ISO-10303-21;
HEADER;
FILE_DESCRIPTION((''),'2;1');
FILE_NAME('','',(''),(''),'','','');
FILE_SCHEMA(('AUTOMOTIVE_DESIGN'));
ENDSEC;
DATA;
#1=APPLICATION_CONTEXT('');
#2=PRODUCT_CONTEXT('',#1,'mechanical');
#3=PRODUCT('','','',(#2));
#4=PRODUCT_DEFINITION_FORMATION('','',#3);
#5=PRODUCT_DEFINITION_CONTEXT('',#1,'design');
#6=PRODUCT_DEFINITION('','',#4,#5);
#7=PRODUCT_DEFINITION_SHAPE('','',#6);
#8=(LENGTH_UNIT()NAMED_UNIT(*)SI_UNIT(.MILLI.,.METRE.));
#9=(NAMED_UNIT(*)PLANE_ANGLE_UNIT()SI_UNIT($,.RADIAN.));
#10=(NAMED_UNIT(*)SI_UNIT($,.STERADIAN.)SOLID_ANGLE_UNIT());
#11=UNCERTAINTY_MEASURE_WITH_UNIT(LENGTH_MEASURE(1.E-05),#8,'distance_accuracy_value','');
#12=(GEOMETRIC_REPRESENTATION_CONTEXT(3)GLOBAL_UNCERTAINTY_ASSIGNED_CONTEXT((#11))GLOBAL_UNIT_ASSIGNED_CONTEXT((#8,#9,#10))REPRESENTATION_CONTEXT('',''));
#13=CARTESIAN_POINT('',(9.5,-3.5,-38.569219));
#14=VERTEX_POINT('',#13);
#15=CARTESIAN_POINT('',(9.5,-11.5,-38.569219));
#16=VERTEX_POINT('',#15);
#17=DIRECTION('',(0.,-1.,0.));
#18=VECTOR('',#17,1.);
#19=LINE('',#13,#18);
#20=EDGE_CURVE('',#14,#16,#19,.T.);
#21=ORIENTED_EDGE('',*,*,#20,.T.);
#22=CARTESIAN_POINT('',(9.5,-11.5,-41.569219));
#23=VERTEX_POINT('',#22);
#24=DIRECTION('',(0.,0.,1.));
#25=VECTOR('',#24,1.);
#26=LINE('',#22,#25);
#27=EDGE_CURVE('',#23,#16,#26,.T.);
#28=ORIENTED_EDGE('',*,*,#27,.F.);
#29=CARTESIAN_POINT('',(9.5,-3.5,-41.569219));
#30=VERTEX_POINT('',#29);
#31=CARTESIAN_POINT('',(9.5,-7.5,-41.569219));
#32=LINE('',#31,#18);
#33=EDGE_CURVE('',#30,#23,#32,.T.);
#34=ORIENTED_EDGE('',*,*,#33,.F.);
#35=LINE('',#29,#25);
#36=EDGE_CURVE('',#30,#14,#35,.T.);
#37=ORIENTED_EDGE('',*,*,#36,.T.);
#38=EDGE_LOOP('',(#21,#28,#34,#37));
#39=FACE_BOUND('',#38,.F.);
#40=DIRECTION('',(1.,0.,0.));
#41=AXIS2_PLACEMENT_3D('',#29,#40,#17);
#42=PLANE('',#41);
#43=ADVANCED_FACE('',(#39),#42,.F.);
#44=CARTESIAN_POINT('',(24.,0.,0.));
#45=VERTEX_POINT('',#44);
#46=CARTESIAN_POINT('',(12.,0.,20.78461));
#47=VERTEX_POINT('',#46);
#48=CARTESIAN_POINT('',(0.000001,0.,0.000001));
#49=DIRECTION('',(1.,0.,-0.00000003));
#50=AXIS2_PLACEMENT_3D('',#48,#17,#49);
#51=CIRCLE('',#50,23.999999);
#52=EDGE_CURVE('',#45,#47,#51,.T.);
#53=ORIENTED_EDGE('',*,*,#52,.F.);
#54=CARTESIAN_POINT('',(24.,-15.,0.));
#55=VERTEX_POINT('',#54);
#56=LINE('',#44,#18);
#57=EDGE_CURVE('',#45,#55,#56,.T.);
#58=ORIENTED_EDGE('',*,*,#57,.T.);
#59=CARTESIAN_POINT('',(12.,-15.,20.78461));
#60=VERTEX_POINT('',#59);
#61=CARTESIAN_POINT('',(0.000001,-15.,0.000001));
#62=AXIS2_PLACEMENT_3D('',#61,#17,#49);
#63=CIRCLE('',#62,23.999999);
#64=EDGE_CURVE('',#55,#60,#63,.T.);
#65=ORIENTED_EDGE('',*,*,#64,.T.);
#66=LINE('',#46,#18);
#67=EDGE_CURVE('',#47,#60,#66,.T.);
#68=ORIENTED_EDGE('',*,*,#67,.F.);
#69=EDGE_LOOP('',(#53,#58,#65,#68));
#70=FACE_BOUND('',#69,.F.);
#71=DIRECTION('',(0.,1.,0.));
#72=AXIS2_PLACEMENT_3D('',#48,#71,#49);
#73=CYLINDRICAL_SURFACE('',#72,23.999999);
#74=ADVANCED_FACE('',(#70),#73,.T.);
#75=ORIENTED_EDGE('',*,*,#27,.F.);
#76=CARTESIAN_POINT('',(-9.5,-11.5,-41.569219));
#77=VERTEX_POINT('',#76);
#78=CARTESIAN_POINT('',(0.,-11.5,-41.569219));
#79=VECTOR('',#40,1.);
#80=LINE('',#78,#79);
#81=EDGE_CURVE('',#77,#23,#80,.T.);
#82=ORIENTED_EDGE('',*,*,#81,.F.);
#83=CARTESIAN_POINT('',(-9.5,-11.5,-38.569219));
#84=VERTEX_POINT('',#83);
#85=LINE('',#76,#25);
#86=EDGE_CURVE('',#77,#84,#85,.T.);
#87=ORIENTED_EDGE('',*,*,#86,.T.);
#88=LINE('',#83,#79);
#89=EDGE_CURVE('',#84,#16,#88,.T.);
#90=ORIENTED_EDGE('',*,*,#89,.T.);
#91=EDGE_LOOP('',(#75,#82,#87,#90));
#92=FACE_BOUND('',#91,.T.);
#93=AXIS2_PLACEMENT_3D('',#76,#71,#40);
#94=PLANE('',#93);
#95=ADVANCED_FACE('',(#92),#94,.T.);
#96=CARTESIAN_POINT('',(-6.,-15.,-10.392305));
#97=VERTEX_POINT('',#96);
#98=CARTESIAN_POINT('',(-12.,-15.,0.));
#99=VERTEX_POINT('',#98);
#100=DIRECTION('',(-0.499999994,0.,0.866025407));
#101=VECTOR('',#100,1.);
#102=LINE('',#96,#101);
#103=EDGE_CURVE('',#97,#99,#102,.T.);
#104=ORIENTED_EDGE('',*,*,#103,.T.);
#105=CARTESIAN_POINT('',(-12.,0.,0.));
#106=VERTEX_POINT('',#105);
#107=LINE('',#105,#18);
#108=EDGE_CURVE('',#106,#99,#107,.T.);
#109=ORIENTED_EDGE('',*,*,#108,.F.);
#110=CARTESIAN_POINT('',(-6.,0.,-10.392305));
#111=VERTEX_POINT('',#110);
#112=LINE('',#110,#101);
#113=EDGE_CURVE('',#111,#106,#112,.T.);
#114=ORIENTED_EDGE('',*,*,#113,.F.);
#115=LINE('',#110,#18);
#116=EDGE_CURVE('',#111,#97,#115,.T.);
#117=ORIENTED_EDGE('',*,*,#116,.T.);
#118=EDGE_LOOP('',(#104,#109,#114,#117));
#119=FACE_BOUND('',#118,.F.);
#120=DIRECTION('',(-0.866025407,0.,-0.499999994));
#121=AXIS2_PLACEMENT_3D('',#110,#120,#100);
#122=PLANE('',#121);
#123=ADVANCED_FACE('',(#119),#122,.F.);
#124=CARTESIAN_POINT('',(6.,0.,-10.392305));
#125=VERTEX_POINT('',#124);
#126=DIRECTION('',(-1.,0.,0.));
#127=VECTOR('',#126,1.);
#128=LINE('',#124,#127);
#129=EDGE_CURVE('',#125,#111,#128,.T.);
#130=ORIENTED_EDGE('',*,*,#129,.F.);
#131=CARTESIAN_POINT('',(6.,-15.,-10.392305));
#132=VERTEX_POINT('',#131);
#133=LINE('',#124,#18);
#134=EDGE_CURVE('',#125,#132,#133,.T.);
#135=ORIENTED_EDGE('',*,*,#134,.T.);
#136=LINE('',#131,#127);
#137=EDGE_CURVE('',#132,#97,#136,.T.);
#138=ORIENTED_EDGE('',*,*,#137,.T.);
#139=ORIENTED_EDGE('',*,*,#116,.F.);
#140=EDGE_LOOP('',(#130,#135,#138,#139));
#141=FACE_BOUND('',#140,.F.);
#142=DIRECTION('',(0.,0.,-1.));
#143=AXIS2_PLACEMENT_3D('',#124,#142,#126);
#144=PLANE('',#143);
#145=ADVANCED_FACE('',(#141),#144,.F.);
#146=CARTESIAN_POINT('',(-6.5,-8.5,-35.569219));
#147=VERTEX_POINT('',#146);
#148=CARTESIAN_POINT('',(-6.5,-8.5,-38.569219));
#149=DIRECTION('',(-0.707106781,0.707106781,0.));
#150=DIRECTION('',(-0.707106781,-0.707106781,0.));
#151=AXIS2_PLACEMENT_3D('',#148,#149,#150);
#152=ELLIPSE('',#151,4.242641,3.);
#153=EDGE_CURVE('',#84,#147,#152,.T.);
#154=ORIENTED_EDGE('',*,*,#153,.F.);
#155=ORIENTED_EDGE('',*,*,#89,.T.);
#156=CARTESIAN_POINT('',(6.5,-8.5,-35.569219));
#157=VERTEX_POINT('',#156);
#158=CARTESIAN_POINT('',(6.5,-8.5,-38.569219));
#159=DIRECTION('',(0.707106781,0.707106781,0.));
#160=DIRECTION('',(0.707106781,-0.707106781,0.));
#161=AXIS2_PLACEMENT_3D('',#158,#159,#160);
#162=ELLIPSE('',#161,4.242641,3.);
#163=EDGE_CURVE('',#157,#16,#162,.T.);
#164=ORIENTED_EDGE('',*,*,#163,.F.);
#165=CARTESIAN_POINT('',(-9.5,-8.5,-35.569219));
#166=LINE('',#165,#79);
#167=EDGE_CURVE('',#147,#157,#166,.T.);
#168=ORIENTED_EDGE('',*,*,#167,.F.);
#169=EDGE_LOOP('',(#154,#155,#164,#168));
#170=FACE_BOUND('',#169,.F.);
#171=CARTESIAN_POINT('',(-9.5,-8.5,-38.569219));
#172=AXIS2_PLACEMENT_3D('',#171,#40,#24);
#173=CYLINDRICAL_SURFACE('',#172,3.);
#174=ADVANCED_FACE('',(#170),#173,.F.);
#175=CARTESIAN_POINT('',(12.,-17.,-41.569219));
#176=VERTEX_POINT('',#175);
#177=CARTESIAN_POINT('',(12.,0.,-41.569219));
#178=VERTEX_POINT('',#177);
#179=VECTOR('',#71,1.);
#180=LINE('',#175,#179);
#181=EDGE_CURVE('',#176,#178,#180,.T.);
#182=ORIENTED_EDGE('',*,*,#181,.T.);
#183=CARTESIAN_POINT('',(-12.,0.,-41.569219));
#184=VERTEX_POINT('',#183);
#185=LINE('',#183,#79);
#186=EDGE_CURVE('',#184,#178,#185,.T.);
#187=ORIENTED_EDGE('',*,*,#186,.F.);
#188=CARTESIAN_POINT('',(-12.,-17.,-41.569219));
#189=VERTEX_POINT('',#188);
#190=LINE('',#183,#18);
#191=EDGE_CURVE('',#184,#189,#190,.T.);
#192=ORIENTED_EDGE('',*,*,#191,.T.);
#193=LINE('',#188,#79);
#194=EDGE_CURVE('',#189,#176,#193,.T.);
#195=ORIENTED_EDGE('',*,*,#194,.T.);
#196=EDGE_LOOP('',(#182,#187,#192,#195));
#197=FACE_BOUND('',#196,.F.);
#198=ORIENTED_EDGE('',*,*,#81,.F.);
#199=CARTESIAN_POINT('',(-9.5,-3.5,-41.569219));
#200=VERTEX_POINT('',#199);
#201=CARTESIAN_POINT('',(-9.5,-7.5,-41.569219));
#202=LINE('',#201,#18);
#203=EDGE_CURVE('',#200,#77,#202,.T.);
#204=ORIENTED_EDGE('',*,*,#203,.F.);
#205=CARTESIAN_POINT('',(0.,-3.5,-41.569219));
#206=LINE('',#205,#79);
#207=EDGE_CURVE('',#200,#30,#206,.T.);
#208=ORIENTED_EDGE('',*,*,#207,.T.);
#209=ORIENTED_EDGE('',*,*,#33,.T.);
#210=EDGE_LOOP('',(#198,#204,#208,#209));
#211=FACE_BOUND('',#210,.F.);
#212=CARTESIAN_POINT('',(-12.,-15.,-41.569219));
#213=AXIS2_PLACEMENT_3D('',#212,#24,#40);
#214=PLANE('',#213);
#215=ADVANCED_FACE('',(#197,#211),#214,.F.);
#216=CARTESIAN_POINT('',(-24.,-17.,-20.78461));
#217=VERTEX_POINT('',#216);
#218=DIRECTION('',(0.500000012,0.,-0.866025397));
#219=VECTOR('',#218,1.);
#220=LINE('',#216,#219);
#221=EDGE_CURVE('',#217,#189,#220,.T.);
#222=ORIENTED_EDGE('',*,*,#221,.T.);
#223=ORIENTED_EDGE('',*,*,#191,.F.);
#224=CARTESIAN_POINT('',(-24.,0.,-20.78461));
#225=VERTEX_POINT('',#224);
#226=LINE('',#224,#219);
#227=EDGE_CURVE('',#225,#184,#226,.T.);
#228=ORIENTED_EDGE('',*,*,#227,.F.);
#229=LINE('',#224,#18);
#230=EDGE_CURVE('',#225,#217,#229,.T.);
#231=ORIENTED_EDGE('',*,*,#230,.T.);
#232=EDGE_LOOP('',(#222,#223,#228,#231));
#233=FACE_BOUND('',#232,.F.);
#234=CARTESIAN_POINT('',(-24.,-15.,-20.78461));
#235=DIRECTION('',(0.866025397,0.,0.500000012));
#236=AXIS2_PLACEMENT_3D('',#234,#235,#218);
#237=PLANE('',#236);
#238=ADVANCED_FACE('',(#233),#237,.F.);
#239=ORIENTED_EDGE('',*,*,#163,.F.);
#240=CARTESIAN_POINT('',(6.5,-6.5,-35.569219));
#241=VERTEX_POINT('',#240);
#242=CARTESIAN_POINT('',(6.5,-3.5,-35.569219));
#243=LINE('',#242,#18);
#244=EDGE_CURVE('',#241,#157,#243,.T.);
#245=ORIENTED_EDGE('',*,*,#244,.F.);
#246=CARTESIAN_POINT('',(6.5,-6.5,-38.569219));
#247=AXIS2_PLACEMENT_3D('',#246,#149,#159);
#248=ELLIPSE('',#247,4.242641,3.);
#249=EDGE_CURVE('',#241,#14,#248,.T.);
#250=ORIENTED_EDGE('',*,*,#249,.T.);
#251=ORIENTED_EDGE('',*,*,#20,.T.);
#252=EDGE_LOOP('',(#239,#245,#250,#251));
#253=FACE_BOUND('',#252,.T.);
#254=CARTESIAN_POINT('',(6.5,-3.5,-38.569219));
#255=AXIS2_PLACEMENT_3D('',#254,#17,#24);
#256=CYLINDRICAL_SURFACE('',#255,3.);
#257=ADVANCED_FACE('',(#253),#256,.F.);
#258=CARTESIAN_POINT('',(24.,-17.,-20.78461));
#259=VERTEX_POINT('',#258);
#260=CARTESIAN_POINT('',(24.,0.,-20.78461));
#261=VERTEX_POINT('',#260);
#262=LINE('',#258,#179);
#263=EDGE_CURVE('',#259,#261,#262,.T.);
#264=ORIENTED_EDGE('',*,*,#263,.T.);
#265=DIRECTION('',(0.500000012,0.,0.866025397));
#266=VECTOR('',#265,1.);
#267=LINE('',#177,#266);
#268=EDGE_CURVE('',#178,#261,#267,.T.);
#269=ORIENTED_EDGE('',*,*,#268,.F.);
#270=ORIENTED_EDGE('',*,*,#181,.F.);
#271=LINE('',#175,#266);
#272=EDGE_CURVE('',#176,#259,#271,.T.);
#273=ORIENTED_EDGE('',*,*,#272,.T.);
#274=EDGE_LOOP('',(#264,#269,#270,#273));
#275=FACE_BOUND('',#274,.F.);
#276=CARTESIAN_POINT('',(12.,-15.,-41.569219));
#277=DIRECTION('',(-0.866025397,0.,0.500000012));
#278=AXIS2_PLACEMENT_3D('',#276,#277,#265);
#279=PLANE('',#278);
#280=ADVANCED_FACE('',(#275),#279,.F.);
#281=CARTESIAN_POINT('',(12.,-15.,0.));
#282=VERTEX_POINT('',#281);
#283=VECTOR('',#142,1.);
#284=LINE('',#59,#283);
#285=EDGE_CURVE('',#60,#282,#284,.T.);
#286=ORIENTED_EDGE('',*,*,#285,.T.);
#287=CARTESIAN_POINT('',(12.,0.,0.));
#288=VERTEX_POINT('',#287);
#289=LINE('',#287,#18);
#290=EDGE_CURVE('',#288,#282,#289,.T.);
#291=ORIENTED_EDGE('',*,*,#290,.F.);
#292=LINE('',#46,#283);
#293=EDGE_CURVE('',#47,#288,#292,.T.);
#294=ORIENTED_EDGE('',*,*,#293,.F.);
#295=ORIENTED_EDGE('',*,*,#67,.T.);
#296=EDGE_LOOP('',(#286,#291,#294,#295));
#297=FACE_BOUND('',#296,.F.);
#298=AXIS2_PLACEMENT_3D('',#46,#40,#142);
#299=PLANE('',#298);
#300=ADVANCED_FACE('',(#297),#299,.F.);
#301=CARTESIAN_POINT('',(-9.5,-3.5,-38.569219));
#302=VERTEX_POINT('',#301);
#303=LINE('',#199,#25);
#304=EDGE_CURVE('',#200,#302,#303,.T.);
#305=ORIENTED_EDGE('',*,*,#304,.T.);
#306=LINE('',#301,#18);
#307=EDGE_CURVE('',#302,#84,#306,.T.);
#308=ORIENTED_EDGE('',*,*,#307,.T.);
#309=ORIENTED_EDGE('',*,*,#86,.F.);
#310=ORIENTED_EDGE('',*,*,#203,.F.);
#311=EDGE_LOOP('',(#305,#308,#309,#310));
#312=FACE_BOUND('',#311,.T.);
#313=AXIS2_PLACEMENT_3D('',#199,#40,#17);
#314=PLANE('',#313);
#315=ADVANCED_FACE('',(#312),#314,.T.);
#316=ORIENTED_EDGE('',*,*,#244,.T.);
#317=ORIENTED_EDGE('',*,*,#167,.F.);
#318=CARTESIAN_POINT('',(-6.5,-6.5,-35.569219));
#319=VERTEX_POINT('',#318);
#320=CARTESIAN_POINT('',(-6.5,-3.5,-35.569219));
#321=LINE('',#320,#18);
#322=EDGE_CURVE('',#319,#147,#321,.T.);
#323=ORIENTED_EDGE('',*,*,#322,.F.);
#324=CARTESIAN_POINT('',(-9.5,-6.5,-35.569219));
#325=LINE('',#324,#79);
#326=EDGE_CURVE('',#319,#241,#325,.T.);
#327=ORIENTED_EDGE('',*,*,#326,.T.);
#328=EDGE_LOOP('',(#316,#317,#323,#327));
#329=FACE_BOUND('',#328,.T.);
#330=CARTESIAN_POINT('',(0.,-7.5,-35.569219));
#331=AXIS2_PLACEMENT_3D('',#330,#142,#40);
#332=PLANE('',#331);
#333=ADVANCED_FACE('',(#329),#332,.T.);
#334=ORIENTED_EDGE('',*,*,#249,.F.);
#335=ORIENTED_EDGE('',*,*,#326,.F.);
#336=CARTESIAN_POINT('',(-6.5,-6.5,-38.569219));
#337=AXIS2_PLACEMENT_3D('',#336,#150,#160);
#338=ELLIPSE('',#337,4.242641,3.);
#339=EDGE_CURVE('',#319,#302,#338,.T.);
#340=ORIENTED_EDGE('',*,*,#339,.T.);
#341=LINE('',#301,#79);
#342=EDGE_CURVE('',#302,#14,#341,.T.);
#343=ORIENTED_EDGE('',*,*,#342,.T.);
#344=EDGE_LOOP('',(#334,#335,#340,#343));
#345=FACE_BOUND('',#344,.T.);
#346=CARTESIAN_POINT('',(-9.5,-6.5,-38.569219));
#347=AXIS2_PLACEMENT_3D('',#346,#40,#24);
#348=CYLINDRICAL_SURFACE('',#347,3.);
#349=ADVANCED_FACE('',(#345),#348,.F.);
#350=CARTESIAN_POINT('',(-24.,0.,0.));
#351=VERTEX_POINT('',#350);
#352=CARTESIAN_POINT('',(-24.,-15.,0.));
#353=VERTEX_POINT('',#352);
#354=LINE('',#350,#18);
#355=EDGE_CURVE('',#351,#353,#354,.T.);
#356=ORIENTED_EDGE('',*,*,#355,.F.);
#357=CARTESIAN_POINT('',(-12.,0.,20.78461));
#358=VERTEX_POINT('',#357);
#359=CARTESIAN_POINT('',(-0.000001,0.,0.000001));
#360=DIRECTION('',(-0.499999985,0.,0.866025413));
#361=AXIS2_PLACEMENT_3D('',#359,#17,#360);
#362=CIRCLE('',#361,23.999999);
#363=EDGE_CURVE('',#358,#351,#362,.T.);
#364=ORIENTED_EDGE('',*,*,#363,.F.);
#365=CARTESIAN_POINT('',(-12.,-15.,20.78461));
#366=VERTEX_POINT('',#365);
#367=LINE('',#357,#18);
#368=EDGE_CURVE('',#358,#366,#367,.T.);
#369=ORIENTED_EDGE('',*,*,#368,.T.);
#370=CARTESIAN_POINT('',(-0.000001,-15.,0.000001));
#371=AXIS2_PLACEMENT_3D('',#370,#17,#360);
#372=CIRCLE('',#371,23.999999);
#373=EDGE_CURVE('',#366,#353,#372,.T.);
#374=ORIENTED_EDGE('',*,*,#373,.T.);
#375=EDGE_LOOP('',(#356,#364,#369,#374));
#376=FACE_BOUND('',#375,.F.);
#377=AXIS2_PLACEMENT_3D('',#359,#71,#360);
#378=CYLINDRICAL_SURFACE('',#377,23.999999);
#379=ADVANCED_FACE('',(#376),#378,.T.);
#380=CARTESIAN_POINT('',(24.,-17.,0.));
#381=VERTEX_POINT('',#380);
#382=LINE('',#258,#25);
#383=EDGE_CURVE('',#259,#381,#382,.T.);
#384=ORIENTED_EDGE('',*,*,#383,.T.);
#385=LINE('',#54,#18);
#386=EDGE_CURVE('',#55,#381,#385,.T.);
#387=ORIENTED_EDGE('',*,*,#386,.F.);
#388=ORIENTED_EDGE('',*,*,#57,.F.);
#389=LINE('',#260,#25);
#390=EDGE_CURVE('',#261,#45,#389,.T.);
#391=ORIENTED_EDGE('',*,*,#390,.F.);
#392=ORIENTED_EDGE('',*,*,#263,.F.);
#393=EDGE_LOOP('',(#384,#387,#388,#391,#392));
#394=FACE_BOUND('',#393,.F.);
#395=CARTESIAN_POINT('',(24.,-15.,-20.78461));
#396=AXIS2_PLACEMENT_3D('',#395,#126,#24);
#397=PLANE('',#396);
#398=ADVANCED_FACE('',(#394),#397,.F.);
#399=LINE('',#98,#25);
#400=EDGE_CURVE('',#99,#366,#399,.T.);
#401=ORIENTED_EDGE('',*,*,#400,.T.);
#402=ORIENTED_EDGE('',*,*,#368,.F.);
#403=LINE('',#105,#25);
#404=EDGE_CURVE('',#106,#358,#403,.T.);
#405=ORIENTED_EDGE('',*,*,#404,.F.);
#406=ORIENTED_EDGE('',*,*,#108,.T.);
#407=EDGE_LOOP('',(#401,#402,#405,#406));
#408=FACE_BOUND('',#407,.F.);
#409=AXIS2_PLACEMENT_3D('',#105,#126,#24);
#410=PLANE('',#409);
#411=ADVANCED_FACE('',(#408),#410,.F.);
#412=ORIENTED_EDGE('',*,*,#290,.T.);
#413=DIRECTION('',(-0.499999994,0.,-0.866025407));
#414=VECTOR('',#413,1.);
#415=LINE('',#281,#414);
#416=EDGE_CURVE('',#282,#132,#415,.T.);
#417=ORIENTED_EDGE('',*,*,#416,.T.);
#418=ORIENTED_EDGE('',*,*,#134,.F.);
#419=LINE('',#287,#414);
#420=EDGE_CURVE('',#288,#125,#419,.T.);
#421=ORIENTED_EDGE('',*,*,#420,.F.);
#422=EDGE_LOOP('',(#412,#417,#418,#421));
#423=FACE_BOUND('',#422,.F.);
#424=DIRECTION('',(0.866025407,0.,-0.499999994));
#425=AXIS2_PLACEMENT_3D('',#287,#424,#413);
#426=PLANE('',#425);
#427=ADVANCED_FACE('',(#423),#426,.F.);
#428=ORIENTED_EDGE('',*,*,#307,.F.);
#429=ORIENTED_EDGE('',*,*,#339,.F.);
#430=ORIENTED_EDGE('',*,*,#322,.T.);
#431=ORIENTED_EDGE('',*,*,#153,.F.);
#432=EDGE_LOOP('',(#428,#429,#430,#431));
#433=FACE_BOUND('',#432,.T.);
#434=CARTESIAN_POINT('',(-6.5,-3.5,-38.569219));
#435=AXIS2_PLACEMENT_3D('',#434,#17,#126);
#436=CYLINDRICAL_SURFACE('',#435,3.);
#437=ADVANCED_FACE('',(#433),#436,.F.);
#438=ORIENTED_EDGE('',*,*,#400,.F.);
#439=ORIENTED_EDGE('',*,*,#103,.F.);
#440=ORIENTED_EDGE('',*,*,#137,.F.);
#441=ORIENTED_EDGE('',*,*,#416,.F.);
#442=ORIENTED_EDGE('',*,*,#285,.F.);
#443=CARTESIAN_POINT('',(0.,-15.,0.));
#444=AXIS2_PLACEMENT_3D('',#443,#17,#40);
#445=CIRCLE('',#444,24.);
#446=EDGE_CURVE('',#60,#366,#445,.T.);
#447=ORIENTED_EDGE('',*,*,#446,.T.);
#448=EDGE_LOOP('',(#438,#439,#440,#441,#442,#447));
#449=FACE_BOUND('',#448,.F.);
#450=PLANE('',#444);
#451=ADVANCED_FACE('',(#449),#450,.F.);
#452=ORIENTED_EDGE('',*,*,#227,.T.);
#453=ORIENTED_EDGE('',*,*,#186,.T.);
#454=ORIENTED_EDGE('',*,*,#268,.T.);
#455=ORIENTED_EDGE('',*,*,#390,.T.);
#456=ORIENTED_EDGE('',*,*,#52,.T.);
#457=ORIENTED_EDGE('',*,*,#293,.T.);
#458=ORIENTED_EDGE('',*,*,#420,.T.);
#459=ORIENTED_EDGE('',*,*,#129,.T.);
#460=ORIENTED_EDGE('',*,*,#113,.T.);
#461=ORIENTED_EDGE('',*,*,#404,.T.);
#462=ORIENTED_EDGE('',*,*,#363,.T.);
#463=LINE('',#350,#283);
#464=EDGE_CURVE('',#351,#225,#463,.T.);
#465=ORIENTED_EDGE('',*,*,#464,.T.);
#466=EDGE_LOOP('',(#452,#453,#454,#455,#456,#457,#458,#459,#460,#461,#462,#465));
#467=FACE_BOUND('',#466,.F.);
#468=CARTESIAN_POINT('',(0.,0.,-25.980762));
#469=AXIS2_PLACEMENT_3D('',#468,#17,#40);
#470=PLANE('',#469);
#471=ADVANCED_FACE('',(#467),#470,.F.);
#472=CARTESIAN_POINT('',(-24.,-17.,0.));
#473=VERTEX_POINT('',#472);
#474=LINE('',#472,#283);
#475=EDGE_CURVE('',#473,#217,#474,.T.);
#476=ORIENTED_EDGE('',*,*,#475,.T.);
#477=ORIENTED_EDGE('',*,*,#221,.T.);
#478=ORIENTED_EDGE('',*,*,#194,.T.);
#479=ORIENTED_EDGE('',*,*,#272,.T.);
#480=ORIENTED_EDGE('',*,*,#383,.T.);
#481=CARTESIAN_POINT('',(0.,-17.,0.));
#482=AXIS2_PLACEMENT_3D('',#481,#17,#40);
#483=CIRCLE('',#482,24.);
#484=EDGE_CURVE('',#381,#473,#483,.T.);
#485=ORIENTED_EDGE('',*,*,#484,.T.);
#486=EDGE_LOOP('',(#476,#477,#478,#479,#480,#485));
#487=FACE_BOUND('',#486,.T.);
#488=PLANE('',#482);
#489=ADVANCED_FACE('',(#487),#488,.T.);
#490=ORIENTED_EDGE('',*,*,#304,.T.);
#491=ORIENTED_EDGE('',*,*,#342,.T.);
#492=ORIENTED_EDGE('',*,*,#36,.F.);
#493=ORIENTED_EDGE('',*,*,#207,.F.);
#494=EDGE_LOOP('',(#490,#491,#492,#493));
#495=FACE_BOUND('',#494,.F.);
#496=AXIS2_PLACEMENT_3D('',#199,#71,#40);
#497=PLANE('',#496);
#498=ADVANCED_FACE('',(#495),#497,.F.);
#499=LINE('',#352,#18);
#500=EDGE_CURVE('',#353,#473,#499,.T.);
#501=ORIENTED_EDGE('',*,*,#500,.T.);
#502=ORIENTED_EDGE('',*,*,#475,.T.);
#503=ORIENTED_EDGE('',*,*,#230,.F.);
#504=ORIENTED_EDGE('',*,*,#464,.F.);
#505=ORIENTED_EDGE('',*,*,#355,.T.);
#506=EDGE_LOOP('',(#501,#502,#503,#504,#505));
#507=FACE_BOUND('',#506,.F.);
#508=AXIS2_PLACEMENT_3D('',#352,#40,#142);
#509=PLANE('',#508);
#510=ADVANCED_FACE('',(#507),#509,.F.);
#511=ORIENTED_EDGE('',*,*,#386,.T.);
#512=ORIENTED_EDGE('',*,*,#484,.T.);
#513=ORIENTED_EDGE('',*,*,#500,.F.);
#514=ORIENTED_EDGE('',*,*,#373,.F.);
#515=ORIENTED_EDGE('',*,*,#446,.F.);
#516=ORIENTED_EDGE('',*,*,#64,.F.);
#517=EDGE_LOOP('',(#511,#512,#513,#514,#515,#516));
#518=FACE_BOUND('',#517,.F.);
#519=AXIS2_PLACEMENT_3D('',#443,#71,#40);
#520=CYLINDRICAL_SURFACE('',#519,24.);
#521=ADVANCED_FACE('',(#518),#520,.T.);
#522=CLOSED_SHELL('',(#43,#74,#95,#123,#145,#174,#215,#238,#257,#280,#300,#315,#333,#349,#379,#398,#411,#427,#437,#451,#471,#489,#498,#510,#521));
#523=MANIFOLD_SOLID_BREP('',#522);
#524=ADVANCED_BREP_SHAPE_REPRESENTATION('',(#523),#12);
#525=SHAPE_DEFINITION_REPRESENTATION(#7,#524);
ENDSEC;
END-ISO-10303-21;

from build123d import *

# Parameters (mm, degrees)
F1_DEPTH = 15
F2_W     = 19
F2_H     = 8
F3_DEPTH = 6
F5_DEPTH = 2
F6_R     = 3


with BuildPart() as f1:
    # F0 (on Front) → F1 (new body)
    with BuildSketch(Plane.XZ):
        Polygon((24, -20.78461), (18, -10.392305), (12, -20.78461), (-12, -20.78461), (-18, -10.392305), (-24, -20.78461), (-12, -41.569219), (12, -41.569219), align=None)
        Polygon((12, -20.78461), (18, -10.392305), (12, 0), (6, -10.392305), (-6, -10.392305), (-12, 0), (-18, -10.392305), (-12, -20.78461), align=None)
        Polygon((-12, 0), (-12, 20.78461), (-24, 0), (-18, -10.392305), align=None)
        Polygon((18, -10.392305), (24, 0), (12, 20.78461), (12, 0), align=None)
        with BuildLine():
            Line((-24, 0), (-12, 20.78461))
            ThreePointArc((-12, 20.78461), (-20.78461, 12), (-24, 0))
        make_face()
        with BuildLine():
            Line((12, 20.78461), (24, 0))
            ThreePointArc((24, 0), (20.78461, 12), (12, 20.78461))
        make_face()
        Polygon((24, -20.78461), (24, 0), (18, -10.392305), align=None)
        Polygon((-18, -10.392305), (-24, 0), (-24, -20.78461), align=None)
    extrude(amount=F1_DEPTH)

    # F2 (on face) → F3 (cut)
    with BuildSketch(Plane(origin=(0, 0, -41.569219), x_dir=(1, 0, 0), z_dir=(0, 0, -1))):
        with Locations((0, 7.5)):
            Rectangle(F2_W, F2_H)
    extrude(amount=-F3_DEPTH, mode=Mode.SUBTRACT)

    # F4 (on face) → F5 (join)
    with BuildSketch(Plane.XZ.offset(15)):
        with BuildLine():
            ThreePointArc((-24, 0), (0, -24), (24, 0))
            ThreePointArc((24, 0), (0, 24), (-24, 0))
        make_face()
        with BuildLine():
            Line((24, -20.78461), (24, 0))
            ThreePointArc((24, 0), (0, -24), (-24, 0))
            Line((-24, 0), (-24, -20.78461))
            Line((-24, -20.78461), (-12, -41.569219))
            Line((-12, -41.569219), (12, -41.569219))
            Line((12, -41.569219), (24, -20.78461))
        make_face()
    extrude(amount=F5_DEPTH)

    # F6
    f6_edges = [f1.edges().sort_by_distance(p)[0] for p in [
        (0, -3.5, -35.569219),
        (-9.5, -7.5, -35.569219),
        (0, -11.5, -35.569219),
        (9.5, -7.5, -35.569219),
    ]]
    fillet(f6_edges, radius=F6_R)


solid = f1.part
